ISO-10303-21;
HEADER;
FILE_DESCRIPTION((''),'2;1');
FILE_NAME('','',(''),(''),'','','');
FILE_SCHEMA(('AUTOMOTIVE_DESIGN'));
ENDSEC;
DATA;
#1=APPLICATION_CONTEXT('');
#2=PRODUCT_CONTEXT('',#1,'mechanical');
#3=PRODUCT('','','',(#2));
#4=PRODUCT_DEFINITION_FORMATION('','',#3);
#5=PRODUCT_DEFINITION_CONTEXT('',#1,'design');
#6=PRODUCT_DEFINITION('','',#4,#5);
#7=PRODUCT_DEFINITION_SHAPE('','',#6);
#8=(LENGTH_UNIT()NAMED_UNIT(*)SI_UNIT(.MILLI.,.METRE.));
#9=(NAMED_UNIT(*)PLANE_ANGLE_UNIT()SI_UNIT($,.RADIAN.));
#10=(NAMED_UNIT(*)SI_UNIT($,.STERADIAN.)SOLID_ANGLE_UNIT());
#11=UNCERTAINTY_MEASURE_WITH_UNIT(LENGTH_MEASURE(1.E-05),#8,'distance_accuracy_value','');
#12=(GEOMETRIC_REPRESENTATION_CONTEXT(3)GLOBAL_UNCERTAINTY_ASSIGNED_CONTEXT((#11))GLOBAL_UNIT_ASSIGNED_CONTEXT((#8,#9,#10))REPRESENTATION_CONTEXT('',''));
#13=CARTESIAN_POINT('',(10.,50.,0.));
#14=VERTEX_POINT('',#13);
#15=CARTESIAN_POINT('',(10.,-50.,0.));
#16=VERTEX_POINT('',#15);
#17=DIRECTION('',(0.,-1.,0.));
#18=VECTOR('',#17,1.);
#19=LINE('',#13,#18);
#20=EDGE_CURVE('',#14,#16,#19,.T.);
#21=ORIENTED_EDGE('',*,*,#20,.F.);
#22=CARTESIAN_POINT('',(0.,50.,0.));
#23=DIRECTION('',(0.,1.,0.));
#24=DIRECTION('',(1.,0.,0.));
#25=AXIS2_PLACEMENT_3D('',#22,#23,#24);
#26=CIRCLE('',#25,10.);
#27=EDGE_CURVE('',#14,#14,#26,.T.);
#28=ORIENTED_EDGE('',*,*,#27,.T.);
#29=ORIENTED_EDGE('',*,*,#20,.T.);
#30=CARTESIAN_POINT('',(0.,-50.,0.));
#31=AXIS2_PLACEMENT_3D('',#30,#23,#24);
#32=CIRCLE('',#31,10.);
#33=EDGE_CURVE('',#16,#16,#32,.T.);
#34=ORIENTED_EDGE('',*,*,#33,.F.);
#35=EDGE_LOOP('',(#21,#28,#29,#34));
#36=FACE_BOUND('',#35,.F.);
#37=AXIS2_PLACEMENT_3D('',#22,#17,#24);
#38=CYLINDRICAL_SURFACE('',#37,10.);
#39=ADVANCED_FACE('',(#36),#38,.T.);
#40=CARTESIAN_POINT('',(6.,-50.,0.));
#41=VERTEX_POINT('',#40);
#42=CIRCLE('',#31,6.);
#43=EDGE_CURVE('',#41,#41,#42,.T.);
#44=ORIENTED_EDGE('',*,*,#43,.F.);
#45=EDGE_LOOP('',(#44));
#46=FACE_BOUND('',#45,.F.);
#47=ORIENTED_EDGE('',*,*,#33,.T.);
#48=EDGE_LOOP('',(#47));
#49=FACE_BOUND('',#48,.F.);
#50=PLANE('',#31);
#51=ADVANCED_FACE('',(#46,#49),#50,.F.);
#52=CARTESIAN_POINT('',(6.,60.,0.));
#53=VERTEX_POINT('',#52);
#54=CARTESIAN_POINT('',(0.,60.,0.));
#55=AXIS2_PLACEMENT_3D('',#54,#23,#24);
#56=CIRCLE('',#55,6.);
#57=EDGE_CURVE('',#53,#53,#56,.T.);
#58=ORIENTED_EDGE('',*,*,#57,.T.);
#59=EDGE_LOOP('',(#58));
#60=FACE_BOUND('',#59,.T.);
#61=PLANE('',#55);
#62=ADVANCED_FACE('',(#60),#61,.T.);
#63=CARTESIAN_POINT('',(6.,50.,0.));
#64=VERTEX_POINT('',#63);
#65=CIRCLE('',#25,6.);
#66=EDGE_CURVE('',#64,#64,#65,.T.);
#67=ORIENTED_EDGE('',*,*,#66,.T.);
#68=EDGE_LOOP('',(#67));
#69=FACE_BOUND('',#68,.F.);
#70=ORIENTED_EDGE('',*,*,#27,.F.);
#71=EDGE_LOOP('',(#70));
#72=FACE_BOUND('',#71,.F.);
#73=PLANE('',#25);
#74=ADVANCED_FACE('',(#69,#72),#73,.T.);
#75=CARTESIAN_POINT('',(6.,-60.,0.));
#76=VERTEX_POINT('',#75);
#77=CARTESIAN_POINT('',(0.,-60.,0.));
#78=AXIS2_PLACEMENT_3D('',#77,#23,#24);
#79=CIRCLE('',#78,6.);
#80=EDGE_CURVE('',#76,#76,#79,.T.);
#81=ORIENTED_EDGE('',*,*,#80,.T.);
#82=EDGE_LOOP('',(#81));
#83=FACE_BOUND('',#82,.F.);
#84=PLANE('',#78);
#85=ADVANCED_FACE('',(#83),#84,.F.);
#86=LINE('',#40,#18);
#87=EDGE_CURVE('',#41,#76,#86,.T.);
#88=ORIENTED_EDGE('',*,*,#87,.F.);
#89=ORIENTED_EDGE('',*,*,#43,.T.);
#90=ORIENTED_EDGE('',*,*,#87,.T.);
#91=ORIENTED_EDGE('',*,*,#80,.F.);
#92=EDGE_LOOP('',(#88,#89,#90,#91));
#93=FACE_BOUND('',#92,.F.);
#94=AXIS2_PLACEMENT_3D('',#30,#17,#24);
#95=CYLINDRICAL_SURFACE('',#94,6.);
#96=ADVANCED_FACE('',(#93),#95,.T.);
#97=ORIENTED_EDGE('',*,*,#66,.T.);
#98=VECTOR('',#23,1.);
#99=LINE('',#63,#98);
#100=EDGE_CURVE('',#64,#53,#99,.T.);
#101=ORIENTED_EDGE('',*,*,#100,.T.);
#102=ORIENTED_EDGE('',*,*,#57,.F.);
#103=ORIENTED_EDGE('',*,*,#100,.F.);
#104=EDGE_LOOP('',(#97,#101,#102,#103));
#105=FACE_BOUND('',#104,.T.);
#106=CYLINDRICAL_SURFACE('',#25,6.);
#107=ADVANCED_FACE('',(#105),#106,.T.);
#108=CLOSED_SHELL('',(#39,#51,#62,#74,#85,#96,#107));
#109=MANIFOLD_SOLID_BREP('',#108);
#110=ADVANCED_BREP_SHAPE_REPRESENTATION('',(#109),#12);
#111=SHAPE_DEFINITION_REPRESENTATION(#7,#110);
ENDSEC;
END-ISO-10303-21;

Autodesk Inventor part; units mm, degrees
ref_plane "YZ Plane" through (0, 0, 0) normal (1, 0, 0) x (0, 1, 0)
ref_plane "XZ Plane" through (0, 0, 0) normal (0, 1, 0) x (-1, 0, 0)
ref_plane "XY Plane" through (0, 0, 0) normal (0, 0, 1) x (1, 0, 0)
sketch "草圖1" plane through (0, 0, 0) normal (0, 0, 1) x (1, 0, 0)
  line L0 (0, 50) -> (10, 50)
  line L1 (10, 50) -> (10, -50)
  line L2 (10, -50) -> (0, -50)
  line L3 (0, -50) -> (0, 50)
  line L4 (0, 50) -> (6, 50)
  line L5 (6, 50) -> (6, 60)
  line L6 (6, 60) -> (0, 60)
  line L7 (0, 60) -> (0, 50)
  line L8 (0, -50) -> (6, -50)
  line L9 (6, -50) -> (6, -60)
  line L10 (6, -60) -> (0, -60)
  line L11 (0, -60) -> (0, -50)
  point P0 (0, 0)
  point P1 (10, 0)
  dimension "d0" = 10
  dimension "d1" = 6
  dimension "d2" = 6
  dimension "d3" = 120
  dimension "d4" = 100
  dimension "d5" = 10
revolve "迴轉1" add sketch "草圖1" angle 360 about axis through (0, -50, 0) along (0, 1, 0)
properties part number "P9"
